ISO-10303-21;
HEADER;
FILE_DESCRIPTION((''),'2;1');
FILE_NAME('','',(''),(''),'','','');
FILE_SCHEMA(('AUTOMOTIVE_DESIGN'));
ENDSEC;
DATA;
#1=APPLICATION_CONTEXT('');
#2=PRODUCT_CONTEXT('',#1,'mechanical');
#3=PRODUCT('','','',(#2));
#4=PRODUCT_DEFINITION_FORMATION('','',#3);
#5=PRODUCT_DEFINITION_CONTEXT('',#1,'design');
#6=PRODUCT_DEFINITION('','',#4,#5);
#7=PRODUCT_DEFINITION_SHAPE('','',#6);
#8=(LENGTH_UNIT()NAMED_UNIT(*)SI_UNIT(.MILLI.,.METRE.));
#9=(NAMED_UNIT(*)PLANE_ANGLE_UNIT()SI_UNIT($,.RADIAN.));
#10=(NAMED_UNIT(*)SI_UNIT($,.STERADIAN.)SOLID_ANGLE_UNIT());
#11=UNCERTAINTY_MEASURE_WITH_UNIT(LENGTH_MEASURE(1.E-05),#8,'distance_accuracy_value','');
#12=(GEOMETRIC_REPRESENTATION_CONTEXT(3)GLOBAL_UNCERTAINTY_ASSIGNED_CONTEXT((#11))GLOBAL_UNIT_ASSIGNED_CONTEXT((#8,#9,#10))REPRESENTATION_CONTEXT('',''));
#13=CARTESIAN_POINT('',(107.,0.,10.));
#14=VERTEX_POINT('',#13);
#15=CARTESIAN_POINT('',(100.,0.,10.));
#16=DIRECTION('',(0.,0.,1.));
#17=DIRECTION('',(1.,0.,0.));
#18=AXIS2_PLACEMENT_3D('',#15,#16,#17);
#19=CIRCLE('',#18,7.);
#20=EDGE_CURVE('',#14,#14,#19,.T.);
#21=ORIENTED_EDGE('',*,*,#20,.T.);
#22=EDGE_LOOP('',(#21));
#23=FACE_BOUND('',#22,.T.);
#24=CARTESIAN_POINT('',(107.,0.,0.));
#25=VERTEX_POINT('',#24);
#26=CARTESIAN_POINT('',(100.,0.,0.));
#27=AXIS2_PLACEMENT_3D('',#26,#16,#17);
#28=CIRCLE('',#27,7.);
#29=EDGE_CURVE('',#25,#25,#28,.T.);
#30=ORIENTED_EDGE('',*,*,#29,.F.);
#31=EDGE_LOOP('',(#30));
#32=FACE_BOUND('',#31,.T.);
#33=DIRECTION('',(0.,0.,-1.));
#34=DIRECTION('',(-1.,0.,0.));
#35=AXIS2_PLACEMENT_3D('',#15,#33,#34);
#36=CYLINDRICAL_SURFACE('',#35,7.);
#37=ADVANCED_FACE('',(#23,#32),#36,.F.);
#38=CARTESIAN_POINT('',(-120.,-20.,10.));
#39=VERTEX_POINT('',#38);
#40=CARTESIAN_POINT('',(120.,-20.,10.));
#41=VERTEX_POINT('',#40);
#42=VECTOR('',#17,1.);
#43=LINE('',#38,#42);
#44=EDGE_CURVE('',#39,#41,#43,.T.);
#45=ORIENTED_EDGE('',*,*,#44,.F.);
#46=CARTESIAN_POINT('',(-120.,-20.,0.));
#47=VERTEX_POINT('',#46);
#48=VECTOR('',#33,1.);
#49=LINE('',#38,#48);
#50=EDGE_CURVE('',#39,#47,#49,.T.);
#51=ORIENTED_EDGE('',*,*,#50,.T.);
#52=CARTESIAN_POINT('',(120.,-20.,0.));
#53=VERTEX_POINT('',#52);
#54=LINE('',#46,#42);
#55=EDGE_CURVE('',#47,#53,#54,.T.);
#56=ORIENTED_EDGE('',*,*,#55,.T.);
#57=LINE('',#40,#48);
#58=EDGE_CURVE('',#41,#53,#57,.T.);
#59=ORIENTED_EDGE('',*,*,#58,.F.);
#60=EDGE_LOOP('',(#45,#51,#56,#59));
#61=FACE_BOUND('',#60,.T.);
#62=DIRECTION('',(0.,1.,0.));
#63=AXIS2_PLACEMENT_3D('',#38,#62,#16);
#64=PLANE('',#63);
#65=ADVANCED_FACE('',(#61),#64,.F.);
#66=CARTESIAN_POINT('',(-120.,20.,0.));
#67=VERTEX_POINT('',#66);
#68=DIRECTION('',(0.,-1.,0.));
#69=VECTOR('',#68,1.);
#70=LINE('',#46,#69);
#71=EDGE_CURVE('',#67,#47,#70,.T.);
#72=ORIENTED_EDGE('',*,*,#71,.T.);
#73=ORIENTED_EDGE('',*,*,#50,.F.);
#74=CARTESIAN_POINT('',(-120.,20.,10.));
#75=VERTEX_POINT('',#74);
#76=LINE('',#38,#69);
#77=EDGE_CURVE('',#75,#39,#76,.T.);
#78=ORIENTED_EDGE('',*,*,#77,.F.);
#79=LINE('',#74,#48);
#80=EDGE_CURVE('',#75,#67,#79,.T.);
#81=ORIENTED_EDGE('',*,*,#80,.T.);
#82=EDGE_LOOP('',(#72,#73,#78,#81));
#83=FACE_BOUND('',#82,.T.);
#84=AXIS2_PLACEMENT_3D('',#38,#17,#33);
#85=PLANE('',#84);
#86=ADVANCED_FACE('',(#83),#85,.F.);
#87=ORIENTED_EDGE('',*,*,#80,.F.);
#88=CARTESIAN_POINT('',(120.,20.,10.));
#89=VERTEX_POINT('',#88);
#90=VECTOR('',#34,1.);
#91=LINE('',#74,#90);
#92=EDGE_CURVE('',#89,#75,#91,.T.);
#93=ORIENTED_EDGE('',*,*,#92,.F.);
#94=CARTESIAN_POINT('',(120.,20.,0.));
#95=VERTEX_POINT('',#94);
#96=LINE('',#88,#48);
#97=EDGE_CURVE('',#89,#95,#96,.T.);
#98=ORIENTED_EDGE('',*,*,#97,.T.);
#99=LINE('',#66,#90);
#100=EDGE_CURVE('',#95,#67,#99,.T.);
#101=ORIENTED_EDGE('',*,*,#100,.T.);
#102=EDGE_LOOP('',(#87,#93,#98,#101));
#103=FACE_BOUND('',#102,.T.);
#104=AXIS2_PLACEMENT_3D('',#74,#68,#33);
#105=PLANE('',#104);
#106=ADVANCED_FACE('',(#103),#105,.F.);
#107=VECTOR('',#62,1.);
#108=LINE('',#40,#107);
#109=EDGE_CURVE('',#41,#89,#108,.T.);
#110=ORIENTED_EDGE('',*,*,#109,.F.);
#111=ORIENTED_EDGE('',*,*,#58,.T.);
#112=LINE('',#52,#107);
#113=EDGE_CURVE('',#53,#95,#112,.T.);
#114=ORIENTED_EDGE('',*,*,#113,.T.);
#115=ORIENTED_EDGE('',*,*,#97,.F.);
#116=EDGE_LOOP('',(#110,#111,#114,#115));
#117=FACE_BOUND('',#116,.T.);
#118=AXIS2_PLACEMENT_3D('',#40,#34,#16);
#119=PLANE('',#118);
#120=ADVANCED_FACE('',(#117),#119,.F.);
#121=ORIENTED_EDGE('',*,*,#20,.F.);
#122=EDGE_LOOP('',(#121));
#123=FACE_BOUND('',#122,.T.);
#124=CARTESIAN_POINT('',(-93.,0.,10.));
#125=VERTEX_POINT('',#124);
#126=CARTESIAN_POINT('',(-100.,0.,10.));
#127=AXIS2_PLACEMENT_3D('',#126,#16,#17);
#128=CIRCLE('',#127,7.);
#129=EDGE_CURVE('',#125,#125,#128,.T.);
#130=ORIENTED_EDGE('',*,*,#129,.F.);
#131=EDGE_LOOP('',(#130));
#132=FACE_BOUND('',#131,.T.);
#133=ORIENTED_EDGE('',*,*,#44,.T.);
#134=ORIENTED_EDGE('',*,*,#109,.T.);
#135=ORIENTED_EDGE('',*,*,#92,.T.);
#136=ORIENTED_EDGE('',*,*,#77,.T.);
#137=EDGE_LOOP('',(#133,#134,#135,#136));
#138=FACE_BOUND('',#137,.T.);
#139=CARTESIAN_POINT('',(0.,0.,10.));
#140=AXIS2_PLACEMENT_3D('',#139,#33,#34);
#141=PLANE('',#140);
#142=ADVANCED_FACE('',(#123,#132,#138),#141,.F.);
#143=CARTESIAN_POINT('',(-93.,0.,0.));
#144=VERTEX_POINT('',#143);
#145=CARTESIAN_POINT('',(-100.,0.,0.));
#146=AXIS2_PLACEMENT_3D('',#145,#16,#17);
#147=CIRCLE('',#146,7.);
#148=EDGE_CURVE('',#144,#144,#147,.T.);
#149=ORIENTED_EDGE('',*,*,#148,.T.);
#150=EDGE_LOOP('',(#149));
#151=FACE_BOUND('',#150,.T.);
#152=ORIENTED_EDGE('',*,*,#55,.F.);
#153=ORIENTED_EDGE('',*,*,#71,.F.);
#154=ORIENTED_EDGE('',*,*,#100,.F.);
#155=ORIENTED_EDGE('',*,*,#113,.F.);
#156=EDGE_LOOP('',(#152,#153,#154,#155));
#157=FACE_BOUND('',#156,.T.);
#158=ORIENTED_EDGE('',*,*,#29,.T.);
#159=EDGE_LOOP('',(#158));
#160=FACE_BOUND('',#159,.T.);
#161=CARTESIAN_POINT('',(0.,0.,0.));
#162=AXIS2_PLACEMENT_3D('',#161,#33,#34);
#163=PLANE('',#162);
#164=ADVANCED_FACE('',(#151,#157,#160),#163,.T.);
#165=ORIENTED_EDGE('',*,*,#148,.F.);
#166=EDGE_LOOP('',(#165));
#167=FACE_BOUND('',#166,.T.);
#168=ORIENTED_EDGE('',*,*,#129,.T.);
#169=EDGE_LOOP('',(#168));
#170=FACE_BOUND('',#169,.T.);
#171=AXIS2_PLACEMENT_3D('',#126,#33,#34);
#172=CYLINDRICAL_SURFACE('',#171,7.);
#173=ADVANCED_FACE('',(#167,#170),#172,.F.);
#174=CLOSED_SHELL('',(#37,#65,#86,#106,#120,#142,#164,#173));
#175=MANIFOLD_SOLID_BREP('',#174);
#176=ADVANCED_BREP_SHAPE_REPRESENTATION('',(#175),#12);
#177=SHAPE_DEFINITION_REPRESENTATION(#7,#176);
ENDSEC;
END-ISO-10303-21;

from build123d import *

# Parameters (mm, degrees)
SKETCH1_W           = 240
SKETCH1_H           = 40
SKETCH1_R           = 7
BOSS_EXTRUDE1_DEPTH = 10


with BuildPart() as part:
    # Sketch1 → Boss-Extrude1 (new body)
    with BuildSketch(Plane.XY):
        Rectangle(SKETCH1_W, SKETCH1_H)
        with Locations((-100, 0)):
            Circle(SKETCH1_R, mode=Mode.SUBTRACT)
        with Locations((100, 0)):
            Circle(SKETCH1_R, mode=Mode.SUBTRACT)
    extrude(amount=BOSS_EXTRUDE1_DEPTH)


solid = part.part
